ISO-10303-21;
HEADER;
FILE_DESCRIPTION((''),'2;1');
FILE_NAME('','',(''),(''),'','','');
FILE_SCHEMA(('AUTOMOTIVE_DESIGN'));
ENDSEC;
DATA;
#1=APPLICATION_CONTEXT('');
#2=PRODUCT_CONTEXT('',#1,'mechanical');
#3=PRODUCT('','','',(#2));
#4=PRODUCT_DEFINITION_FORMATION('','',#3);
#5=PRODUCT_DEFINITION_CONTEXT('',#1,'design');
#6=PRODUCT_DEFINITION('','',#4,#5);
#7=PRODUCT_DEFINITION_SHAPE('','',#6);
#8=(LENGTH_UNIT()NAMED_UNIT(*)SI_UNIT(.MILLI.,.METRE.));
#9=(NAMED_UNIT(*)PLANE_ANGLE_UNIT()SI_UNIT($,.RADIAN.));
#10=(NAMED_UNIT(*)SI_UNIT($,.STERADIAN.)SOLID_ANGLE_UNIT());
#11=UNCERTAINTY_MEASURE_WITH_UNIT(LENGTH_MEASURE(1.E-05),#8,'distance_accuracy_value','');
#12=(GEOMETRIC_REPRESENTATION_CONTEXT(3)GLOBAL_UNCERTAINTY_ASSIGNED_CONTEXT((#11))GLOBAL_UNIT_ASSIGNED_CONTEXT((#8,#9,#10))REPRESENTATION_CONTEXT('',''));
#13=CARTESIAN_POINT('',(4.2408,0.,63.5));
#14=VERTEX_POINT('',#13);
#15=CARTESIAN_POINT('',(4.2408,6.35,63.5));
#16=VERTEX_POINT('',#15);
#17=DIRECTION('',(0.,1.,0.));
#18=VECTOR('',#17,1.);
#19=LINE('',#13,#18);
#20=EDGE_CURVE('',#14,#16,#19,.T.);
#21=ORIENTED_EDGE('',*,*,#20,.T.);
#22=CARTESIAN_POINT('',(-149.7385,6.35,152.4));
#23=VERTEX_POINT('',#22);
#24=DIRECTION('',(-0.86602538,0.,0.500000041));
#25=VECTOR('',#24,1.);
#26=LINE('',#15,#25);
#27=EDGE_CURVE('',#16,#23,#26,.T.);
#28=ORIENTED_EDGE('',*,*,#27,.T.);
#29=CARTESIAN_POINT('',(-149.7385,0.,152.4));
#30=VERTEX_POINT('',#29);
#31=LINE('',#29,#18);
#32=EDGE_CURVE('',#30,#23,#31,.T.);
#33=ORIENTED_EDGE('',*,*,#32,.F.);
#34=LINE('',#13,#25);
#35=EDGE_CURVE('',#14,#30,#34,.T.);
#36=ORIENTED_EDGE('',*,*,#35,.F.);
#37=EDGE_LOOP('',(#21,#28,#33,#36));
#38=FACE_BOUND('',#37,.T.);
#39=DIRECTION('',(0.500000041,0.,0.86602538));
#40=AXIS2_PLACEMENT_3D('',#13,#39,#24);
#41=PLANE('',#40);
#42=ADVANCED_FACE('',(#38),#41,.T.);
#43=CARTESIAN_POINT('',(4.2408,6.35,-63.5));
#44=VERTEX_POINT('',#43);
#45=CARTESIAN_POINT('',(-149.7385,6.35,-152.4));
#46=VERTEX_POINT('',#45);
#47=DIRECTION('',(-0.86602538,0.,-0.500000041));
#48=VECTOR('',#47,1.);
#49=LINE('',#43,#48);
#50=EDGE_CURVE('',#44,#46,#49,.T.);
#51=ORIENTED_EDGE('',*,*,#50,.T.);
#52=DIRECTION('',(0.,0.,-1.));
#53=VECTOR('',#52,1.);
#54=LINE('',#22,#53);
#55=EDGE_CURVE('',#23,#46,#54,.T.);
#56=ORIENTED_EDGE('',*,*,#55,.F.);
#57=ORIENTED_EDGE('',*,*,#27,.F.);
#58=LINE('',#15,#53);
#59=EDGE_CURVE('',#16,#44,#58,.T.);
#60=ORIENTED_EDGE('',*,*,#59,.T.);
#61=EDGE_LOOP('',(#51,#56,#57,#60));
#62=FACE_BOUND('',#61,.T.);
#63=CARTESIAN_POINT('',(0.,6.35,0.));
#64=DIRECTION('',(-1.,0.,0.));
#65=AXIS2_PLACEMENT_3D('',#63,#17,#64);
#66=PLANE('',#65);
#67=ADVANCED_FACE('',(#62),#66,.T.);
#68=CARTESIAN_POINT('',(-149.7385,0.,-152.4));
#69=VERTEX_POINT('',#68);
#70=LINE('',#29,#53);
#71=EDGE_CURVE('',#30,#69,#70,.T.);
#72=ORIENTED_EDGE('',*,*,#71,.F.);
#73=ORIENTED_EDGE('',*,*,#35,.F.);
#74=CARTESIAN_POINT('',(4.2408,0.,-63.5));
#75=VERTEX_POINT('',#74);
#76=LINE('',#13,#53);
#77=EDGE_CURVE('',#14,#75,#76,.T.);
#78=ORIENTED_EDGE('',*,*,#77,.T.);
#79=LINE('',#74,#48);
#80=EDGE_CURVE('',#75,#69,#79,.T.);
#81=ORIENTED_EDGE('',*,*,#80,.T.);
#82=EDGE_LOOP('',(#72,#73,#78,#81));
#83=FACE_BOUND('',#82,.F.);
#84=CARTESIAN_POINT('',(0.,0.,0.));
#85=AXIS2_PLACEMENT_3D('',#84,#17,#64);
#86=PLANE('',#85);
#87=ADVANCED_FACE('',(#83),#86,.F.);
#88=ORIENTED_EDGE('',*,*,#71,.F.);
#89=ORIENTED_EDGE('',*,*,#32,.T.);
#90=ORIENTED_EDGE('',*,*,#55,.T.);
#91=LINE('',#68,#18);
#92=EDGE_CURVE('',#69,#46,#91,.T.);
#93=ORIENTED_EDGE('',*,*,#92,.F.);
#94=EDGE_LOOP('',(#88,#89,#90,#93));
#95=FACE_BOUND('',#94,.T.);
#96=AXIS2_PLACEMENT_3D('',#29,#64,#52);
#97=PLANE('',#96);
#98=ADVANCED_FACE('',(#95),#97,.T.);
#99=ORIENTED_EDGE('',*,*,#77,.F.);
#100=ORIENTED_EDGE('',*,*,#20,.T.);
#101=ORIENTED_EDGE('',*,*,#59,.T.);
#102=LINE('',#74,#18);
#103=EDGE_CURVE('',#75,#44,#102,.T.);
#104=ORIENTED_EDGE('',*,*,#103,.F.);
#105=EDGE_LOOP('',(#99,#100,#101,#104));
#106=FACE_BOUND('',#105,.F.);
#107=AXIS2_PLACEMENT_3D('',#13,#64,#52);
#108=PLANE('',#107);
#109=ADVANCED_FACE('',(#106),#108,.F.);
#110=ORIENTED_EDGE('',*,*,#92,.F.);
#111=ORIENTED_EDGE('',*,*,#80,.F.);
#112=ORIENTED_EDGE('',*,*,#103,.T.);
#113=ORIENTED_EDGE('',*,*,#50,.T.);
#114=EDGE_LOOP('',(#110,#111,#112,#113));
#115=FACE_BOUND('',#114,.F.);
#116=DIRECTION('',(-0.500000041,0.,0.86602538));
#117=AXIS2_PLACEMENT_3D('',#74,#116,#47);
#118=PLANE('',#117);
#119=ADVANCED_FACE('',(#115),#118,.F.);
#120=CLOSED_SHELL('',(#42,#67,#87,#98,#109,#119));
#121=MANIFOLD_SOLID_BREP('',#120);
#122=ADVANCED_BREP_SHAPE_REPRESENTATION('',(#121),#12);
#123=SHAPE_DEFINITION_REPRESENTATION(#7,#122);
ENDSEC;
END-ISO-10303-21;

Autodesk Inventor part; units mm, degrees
ref_plane "YZ Plane" through (0, 0, 0) normal (1, 0, 0) x (0, 1, 0)
ref_plane "XZ Plane" through (0, 0, 0) normal (0, 1, 0) x (-1, 0, 0)
ref_plane "XY Plane" through (0, 0, 0) normal (0, 0, 1) x (1, 0, 0)
sketch "Sketch1" plane through (0, 0, 0) normal (0, 1, 0) x (-1, 0, 0)
  line L0 (-4.2408, 63.5) -> (-4.2408, -63.5)
  line L1 (-4.2408, -63.5) -> (149.7385, -152.4)
  line L2 (-4.2408, 63.5) -> (149.7385, 152.4)
  line L3 (-4.2408, 63.5) -> (173.5592, 63.5) construction
  line L4 (149.7385, 152.4) -> (149.7385, -152.4)
  point P0 (0, 0)
  point P1 (149.7385, 0)
  dimension "d0" = 120
  dimension "d1" = 30
  dimension "d3" = 177.8
  dimension "d6" = 127
extrude "Extrusion1" add sketch "Sketch1" along normal blind 6.35
properties part number "corner plate"
